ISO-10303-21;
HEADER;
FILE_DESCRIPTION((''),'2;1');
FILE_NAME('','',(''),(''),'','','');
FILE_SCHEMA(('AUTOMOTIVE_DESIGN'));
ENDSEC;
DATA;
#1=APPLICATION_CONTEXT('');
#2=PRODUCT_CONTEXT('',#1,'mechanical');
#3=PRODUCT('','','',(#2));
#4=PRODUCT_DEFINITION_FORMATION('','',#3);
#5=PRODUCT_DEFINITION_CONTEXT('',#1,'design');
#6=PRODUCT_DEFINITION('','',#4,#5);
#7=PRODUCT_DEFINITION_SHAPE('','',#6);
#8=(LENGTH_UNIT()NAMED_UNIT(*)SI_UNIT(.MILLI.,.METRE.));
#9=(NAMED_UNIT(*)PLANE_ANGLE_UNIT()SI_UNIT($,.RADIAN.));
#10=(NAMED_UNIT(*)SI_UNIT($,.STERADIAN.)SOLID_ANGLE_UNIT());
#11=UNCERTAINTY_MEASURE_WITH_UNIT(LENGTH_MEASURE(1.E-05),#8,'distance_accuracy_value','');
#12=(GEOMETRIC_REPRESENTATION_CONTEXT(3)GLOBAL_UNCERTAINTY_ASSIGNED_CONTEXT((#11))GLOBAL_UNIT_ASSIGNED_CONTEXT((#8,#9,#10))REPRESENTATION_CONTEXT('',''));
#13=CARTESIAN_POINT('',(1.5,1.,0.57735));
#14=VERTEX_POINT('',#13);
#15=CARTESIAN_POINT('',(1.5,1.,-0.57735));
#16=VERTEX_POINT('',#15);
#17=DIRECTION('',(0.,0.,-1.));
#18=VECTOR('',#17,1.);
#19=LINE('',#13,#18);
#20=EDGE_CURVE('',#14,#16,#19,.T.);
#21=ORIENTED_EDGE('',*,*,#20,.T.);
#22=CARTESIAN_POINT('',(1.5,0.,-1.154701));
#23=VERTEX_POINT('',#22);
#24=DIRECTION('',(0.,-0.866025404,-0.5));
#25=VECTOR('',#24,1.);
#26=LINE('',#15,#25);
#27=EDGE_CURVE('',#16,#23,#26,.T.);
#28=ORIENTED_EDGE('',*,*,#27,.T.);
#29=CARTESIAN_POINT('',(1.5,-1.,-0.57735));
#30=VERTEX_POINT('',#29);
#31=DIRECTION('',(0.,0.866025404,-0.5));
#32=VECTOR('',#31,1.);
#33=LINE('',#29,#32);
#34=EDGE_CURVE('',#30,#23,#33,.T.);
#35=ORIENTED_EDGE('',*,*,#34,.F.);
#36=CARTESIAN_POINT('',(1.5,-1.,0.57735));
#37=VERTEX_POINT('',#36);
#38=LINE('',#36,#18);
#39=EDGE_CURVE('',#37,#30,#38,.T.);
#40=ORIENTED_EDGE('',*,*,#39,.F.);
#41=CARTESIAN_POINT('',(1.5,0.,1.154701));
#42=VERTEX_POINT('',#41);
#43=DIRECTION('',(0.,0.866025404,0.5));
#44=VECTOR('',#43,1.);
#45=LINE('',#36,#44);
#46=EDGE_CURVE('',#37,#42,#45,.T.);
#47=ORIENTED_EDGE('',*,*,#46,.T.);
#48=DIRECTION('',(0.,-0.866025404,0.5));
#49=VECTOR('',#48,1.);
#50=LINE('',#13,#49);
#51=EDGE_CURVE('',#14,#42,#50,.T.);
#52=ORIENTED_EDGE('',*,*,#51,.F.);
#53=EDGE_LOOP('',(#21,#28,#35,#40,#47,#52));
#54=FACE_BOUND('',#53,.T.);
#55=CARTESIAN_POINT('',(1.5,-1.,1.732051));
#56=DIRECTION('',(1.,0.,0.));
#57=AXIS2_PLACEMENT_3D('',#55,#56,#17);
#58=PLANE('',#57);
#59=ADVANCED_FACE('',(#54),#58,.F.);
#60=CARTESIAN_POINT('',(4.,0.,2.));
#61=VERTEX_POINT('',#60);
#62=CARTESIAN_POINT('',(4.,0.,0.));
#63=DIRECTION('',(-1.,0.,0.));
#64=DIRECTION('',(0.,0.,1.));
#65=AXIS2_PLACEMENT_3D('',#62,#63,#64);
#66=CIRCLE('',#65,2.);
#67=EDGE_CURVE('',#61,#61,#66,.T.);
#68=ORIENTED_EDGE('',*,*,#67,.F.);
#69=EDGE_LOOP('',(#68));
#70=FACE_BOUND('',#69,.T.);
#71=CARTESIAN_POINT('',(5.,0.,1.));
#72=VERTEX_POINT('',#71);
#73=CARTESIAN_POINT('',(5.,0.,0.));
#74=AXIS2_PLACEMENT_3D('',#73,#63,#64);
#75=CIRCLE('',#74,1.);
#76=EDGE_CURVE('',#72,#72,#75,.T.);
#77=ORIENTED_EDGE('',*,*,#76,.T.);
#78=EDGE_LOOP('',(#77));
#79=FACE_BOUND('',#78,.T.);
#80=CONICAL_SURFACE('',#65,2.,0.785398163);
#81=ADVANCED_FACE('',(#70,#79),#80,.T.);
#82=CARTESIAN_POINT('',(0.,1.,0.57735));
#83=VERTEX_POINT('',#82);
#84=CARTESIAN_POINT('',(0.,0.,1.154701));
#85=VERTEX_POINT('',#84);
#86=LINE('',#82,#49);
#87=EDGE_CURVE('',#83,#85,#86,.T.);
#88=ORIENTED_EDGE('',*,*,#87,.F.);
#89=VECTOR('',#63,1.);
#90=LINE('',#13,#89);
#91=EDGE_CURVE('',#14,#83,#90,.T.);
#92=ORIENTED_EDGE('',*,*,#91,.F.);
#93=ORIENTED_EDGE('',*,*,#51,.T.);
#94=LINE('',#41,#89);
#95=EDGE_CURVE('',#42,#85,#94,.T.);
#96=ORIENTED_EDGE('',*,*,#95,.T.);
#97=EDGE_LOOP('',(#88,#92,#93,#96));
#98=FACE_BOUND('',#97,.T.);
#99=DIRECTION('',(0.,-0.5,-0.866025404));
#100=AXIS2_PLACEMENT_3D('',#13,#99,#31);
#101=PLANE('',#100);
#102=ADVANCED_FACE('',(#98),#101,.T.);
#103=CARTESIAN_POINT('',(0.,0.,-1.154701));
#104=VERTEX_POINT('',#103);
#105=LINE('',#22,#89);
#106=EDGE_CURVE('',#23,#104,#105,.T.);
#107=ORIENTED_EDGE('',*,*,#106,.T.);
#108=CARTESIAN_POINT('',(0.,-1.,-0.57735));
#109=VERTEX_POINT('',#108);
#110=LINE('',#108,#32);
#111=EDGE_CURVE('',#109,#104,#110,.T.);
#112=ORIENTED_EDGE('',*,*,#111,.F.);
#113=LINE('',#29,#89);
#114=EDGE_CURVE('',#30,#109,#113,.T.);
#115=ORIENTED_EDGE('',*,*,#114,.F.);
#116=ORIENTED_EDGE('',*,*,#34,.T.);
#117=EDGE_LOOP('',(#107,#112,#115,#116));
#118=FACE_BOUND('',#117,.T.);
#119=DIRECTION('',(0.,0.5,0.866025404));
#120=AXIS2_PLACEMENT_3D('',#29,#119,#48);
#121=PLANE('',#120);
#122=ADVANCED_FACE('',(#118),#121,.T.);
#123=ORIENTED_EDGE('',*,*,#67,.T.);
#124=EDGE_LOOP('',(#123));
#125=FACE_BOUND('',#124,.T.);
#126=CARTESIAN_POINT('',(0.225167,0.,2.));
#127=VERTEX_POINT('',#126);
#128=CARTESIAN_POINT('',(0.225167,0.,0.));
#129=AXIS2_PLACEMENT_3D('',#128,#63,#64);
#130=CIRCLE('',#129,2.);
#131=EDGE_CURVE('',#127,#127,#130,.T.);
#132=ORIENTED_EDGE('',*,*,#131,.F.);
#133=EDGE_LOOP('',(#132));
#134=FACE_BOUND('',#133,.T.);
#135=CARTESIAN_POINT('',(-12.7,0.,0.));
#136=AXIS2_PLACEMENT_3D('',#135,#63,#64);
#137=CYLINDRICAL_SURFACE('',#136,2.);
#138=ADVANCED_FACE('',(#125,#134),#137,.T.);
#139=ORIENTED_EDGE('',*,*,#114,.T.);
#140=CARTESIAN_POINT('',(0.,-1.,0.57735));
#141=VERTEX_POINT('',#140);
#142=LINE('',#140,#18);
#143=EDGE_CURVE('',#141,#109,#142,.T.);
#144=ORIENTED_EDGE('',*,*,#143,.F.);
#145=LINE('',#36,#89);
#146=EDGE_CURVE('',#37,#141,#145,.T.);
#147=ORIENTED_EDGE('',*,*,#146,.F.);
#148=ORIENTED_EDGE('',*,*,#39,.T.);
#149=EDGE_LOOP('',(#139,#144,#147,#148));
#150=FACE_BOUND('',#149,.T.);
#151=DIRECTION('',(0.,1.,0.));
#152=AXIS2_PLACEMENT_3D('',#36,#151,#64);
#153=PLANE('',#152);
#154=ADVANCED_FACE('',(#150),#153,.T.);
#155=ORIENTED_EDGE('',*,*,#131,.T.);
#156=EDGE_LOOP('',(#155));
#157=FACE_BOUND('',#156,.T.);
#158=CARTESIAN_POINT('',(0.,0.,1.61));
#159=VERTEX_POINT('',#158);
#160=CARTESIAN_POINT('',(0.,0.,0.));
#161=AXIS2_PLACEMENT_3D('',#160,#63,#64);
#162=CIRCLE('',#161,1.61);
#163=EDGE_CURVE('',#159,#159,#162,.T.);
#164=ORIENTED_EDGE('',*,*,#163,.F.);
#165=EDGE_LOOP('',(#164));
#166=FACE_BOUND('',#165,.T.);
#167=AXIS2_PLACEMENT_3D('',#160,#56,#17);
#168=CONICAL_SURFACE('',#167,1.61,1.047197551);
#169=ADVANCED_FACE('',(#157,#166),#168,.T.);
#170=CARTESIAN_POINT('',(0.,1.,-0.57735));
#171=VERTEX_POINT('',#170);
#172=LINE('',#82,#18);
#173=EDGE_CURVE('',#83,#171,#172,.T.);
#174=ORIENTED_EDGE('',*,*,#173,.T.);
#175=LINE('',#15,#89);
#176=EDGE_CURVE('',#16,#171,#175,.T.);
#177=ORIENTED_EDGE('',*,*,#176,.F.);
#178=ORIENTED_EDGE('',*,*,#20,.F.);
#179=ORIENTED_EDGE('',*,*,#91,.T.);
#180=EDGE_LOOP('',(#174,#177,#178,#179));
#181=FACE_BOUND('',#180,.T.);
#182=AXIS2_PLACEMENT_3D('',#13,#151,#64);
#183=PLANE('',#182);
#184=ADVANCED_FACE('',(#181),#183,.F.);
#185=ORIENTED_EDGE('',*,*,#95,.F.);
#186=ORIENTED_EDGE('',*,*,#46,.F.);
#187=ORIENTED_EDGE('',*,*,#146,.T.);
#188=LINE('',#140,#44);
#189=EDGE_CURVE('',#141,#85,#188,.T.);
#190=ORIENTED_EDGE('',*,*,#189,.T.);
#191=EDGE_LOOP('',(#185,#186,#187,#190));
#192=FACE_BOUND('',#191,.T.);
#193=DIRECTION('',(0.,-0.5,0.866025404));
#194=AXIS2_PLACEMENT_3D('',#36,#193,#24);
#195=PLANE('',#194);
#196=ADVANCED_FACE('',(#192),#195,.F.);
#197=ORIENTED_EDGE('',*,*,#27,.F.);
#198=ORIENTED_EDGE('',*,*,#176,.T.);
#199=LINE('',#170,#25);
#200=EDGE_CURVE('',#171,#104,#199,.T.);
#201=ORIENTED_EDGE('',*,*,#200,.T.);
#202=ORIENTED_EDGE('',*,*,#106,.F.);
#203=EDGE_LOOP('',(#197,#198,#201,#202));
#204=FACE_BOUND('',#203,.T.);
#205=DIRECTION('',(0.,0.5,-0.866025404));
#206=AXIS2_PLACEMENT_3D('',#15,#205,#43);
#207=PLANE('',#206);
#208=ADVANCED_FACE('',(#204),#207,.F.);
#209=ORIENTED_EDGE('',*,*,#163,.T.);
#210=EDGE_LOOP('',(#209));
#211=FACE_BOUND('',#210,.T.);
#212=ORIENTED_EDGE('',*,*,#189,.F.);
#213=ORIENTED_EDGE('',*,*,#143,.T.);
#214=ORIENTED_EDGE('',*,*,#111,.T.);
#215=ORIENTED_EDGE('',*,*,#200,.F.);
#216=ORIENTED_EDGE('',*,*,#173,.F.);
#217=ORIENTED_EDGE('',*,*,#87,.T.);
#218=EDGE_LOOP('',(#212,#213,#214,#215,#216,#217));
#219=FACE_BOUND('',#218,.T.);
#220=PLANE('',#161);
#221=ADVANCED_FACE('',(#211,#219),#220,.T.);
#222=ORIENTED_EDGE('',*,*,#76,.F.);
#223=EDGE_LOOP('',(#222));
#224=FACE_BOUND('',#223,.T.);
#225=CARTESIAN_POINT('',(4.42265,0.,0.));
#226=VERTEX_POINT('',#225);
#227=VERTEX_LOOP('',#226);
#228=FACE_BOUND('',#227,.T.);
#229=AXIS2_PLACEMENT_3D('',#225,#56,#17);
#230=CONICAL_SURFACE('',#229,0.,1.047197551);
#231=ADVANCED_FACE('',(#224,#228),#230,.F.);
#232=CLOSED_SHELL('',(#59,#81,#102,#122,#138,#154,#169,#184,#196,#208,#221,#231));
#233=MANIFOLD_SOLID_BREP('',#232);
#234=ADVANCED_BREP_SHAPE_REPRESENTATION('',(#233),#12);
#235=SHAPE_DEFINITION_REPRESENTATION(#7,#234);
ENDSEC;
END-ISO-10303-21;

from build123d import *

# Parameters (mm, degrees)
HEX_2_DEPTH = 1.5


with BuildPart() as part:
    # BodySke → BaseBody (revolve)
    with BuildSketch(Plane.XY, mode=Mode.PRIVATE) as basebody_sk:
        Polygon((0, 0), (0, 1.61), (0.225166605, 2), (4, 2), (5, 1), (4.422649731, 0), align=None)
    revolve(basebody_sk.sketch.rotate(Axis((-12.7, 0, 0), (1, 0, 0)), 90), axis=Axis((-12.7, 0, 0), (1, 0, 0)))

    # Sketch2 → Hex 2 (cut)
    with BuildSketch(Plane.ZY):
        Polygon((0.577350269, 1), (-0.577350269, 1), (-1.154700538, 0), (-0.577350269, -1), (0.577350269, -1), (1.154700538, 0), align=None)
    extrude(amount=-HEX_2_DEPTH, mode=Mode.SUBTRACT)


solid = part.part
